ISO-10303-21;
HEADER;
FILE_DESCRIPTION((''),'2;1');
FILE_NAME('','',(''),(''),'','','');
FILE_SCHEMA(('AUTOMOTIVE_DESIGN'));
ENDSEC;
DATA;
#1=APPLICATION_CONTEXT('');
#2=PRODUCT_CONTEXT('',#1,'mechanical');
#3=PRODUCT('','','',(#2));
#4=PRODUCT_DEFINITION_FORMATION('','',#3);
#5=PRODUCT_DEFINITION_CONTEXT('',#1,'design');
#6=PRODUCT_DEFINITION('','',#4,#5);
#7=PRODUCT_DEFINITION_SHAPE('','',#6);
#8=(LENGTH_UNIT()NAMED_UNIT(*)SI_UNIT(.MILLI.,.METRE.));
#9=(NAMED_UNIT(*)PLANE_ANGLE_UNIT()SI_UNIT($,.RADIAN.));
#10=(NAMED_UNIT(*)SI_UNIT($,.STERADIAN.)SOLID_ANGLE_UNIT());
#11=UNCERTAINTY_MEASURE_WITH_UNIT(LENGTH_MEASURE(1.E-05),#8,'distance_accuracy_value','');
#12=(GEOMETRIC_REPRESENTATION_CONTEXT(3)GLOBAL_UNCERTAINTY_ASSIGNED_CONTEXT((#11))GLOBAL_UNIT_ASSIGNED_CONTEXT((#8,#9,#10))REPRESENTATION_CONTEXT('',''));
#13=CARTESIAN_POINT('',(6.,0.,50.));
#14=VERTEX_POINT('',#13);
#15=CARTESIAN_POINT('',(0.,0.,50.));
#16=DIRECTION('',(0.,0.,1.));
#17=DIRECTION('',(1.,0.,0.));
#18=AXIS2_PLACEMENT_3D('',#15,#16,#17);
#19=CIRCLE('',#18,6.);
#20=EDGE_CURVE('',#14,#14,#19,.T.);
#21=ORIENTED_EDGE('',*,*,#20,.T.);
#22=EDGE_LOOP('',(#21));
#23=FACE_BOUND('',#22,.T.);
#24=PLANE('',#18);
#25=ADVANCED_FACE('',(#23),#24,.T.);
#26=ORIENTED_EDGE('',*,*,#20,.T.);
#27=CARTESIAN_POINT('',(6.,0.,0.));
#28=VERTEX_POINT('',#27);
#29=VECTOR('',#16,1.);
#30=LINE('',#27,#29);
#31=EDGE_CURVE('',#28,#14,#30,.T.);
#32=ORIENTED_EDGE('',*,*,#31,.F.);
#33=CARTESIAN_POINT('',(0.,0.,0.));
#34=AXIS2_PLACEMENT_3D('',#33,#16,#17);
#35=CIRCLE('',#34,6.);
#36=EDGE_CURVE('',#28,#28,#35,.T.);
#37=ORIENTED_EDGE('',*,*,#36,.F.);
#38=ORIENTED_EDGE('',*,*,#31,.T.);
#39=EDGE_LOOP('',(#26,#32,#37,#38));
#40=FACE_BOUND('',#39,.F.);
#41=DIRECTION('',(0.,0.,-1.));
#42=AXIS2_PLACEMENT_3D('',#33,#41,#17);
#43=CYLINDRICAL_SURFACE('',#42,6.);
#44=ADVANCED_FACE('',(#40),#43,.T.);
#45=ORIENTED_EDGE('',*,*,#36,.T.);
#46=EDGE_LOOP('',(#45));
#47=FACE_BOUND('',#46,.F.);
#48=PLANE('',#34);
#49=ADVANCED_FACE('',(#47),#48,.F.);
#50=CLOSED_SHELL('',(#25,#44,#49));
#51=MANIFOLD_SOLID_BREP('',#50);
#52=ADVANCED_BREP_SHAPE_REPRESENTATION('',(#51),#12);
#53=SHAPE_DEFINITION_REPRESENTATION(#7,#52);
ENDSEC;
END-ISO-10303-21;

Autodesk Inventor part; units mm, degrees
ref_plane "YZ Plane" through (0, 0, 0) normal (1, 0, 0) x (0, 1, 0)
ref_plane "XZ Plane" through (0, 0, 0) normal (0, 1, 0) x (-1, 0, 0)
ref_plane "XY Plane" through (0, 0, 0) normal (0, 0, 1) x (1, 0, 0)
sketch "Sketch1" plane through (0, 0, 0) normal (0, 0, 1) x (1, 0, 0)
  circle A0 centre (0, 0) radius 6
  dimension "d0" = 12
extrude "Extrusion1" add sketch "Sketch1" along normal blind 50
properties part number "handTowelHolderRing"
